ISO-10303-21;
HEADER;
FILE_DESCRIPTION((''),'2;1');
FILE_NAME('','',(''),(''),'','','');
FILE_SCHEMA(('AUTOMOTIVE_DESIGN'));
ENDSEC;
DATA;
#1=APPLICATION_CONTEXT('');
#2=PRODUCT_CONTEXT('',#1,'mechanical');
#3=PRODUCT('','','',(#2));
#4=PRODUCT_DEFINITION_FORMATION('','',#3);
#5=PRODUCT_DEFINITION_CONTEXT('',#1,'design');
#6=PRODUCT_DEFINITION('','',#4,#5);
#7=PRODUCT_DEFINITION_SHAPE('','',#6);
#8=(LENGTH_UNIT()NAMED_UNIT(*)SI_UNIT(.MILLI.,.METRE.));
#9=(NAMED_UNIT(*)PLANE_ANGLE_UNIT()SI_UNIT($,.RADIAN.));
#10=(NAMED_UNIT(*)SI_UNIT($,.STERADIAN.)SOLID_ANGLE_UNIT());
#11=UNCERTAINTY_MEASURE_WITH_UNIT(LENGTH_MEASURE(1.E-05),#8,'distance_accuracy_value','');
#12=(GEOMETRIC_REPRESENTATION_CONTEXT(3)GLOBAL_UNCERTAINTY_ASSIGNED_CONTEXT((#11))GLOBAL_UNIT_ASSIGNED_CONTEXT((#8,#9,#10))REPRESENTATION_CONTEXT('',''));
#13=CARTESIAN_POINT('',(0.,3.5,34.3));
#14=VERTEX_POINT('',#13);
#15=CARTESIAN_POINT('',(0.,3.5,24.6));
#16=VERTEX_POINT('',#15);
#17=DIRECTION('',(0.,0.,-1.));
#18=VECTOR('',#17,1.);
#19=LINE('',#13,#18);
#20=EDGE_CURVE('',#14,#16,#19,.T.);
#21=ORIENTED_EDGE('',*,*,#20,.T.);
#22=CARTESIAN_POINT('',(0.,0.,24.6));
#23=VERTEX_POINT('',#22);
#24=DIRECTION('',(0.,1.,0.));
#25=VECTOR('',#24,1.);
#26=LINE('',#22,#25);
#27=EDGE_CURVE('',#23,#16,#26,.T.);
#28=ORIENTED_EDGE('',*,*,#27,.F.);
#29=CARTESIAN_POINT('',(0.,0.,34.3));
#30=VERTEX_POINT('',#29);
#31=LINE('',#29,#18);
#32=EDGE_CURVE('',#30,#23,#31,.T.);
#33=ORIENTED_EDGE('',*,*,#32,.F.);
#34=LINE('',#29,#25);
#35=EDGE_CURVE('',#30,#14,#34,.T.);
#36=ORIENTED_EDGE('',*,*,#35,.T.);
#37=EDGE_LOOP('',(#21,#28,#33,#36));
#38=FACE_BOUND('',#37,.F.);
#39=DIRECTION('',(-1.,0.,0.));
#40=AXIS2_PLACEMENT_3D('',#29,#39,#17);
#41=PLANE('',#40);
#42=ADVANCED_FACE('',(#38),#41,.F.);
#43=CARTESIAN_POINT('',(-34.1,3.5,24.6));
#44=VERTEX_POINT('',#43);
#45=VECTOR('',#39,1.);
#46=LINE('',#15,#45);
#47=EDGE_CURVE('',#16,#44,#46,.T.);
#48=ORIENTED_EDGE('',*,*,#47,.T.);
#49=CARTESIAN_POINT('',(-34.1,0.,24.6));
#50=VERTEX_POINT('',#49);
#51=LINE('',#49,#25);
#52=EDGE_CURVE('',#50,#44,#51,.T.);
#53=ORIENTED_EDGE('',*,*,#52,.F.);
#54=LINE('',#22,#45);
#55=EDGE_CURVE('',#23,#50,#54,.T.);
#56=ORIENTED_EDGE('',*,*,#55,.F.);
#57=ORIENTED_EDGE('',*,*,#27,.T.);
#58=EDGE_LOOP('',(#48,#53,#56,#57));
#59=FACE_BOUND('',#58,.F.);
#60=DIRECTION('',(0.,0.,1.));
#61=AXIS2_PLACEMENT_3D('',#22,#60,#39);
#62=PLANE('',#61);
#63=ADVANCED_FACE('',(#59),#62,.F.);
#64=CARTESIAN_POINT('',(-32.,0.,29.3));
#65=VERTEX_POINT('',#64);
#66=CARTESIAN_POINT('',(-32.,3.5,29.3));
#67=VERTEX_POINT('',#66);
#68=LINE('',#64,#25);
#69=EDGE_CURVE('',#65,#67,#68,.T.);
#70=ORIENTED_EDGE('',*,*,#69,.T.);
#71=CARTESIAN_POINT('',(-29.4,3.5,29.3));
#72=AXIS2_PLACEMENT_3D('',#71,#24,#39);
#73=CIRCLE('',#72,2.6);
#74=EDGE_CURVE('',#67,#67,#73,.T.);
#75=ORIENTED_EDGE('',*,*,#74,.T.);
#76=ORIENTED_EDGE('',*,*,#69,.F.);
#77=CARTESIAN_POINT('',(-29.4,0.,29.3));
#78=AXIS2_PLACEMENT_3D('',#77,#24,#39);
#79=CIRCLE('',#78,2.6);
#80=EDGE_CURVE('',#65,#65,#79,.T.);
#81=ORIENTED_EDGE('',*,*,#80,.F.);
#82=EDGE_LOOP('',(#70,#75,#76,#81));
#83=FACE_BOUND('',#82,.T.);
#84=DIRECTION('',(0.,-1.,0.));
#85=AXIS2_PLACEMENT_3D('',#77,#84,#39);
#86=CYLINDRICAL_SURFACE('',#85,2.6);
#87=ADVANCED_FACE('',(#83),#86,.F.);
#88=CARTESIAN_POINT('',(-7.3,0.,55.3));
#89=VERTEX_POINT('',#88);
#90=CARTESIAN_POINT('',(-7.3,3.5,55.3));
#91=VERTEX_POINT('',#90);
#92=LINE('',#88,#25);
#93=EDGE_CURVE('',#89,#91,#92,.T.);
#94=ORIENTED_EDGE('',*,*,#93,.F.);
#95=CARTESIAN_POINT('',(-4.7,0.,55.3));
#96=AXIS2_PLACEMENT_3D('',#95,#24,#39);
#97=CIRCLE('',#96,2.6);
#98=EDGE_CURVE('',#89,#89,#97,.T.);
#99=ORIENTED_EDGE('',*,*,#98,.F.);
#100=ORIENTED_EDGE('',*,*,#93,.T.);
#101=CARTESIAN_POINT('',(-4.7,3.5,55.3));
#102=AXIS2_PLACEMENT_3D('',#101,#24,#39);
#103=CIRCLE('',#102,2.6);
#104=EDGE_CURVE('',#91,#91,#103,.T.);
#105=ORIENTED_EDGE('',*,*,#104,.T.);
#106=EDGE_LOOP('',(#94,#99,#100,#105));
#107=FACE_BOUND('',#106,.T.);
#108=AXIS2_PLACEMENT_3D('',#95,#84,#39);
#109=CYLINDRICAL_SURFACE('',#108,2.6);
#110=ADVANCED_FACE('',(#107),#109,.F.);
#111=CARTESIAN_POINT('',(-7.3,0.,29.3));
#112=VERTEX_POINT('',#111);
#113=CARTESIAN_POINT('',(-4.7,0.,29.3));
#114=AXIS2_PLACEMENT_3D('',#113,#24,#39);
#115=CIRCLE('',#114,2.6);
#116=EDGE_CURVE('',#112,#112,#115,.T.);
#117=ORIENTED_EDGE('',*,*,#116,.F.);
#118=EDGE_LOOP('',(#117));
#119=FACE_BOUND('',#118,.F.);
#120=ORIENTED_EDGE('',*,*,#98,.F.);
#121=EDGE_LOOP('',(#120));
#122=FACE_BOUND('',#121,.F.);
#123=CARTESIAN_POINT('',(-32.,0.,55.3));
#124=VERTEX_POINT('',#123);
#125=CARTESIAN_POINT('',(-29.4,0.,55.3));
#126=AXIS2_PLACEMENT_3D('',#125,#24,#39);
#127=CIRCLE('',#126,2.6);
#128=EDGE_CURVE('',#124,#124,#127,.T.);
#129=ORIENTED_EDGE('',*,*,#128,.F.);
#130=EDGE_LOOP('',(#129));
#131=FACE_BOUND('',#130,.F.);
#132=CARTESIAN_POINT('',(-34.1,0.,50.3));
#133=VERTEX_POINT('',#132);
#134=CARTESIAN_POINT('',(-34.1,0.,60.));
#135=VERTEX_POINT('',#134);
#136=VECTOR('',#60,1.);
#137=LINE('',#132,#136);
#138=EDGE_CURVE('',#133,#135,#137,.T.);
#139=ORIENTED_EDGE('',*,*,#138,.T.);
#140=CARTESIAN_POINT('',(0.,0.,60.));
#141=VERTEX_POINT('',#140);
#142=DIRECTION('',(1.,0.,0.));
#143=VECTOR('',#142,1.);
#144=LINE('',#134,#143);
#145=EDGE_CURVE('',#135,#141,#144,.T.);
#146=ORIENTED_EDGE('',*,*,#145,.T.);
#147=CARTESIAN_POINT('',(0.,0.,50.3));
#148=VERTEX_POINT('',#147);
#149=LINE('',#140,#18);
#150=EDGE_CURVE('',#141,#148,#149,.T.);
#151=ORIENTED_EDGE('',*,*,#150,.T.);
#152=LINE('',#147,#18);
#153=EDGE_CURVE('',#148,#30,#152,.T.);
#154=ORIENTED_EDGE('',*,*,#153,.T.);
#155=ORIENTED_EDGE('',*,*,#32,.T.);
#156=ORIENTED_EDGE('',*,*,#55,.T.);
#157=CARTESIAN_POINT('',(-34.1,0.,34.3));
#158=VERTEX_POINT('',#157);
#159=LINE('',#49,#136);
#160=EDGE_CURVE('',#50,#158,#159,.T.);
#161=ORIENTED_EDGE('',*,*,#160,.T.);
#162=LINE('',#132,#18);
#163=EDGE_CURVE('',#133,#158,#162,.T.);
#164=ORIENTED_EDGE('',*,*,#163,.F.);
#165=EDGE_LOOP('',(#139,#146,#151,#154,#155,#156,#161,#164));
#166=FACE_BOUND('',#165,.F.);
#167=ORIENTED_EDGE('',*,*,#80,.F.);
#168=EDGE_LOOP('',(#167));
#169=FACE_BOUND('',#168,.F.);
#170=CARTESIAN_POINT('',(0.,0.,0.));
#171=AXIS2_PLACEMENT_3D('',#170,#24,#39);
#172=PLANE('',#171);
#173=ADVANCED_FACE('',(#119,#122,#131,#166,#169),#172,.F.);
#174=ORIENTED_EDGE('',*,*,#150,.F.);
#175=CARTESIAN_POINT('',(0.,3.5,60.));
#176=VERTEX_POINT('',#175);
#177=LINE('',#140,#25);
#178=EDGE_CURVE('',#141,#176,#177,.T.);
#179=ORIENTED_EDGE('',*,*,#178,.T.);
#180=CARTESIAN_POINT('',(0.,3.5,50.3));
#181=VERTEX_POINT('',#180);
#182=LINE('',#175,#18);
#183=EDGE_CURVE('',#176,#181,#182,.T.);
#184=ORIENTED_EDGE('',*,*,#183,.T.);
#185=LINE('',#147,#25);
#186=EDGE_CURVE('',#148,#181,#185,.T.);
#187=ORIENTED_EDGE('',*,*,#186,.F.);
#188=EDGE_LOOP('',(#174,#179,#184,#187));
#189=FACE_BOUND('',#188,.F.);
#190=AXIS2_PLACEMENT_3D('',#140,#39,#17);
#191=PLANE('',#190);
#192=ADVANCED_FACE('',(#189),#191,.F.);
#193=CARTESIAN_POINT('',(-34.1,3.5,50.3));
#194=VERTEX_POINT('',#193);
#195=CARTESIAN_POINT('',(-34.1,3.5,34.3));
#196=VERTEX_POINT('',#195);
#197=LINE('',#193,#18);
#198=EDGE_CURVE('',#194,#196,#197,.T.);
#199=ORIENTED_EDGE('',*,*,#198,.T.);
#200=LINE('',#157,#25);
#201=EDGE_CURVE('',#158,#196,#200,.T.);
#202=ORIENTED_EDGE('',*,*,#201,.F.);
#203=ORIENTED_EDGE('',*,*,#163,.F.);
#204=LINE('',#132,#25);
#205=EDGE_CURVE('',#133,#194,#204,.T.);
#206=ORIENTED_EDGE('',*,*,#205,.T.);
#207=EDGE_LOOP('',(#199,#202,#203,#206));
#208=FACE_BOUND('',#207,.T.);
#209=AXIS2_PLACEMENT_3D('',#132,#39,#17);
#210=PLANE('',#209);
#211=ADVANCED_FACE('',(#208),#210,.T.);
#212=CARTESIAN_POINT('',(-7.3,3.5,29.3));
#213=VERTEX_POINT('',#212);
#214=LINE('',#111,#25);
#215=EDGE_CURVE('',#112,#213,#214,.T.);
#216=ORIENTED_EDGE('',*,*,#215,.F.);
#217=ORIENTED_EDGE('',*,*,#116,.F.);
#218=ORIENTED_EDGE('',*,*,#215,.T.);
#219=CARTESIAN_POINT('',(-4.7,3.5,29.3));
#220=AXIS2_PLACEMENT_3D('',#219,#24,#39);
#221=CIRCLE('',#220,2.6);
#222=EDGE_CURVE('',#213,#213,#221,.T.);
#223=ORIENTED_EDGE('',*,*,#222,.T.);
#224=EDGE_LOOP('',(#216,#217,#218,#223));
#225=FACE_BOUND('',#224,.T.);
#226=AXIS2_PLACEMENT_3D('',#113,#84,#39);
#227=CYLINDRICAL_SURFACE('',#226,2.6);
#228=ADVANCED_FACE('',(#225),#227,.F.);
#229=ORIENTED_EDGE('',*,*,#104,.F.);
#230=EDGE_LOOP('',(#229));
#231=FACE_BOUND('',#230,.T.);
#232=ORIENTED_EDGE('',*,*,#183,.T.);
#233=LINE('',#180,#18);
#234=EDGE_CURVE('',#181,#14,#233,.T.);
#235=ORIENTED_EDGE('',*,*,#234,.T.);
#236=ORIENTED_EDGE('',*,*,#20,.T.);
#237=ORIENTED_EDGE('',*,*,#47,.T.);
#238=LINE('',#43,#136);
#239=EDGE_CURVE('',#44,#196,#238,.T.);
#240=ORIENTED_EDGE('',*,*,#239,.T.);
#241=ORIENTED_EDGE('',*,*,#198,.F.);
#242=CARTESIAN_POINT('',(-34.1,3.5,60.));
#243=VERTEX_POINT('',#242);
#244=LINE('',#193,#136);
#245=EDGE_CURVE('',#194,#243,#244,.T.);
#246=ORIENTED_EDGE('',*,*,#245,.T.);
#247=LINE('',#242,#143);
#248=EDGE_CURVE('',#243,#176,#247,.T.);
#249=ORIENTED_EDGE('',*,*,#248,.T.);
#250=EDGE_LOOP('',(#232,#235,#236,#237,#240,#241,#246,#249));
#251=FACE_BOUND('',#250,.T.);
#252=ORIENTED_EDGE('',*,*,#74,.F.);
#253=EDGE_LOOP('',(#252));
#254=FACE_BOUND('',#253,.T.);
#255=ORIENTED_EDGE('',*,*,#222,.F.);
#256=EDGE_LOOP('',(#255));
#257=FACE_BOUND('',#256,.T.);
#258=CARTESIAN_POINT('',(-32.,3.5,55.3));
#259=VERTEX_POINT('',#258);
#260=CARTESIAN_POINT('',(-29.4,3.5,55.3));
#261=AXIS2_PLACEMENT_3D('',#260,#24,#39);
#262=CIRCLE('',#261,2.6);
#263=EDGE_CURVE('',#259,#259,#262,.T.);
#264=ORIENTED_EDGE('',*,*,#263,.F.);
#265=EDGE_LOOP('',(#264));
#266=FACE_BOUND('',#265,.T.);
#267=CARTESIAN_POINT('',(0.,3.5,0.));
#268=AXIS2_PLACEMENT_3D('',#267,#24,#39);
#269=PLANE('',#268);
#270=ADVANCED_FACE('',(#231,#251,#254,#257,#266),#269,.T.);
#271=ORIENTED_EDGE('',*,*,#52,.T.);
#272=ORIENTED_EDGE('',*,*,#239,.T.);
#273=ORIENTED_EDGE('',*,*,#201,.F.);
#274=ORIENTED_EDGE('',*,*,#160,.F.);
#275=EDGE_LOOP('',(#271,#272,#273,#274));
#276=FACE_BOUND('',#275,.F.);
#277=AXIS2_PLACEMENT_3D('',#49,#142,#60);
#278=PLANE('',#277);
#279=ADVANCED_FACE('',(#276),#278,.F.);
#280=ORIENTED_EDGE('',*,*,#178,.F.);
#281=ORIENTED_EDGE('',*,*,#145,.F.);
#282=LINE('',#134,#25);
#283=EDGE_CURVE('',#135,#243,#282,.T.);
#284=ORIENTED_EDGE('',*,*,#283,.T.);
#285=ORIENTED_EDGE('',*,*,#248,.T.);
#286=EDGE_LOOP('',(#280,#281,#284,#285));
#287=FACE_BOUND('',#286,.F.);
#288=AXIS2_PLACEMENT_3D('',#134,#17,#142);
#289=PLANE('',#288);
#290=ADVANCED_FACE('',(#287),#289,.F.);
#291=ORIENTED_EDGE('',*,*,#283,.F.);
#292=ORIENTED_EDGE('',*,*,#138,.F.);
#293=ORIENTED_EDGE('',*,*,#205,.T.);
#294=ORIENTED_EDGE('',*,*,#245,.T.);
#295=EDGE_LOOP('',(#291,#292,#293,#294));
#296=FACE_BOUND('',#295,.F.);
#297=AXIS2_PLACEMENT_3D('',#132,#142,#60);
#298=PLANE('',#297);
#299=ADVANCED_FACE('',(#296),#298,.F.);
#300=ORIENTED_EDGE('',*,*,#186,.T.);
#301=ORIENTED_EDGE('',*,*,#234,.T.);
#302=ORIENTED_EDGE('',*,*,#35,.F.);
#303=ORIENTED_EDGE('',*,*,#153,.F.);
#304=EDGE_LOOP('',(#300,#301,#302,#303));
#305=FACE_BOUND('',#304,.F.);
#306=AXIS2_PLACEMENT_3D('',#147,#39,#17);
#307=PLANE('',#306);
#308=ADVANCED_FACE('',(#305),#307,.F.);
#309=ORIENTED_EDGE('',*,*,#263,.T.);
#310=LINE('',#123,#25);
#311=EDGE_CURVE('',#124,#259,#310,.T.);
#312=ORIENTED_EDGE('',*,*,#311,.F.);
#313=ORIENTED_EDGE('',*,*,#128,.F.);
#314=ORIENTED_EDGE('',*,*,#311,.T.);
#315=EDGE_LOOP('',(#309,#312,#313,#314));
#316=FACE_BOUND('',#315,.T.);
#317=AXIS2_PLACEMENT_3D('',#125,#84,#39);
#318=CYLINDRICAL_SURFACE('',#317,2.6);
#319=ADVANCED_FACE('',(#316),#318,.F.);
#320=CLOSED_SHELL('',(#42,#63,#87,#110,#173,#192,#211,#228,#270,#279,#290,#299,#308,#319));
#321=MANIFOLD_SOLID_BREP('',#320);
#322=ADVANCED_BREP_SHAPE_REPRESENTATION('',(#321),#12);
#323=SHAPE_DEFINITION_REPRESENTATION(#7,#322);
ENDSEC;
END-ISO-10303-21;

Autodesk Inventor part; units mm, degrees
ref_plane "YZ Plane" through (0, 0, 0) normal (1, 0, 0) x (0, 1, 0)
ref_plane "XZ Plane" through (0, 0, 0) normal (0, 1, 0) x (-1, 0, 0)
ref_plane "XY Plane" through (0, 0, 0) normal (0, 0, 1) x (1, 0, 0)
sketch "Sketch1" plane through (0, 0, 0) normal (0, 1, 0) x (-1, 0, 0)
  circle A0 centre (29.4, 55.3) radius 2.6
  circle A1 centre (4.7, 55.3) radius 2.6
  line L0 (34.1, 50.3) -> (34.1, 60)
  line L1 (34.1, 60) -> (0, 60)
  line L2 (0, 60) -> (0, 50.3)
  circle A2 centre (29.4, 29.3) radius 2.6
  circle A3 centre (4.7, 29.3) radius 2.6
  line L3 (0, 34.3) -> (0, 24.6)
  line L4 (0, 24.6) -> (34.1, 24.6)
  line L5 (34.1, 24.6) -> (34.1, 34.3)
  line L6 (34.1, 50.3) -> (34.1, 34.3)
  line L7 (0, 50.3) -> (0, 34.3)
  point P0 (0, 0)
  point P1 (0, 0)
extrude "Extrusion1" add sketch "Sketch1" along normal blind 3.5
properties part number "Y Axis Belt Stationary Top"
